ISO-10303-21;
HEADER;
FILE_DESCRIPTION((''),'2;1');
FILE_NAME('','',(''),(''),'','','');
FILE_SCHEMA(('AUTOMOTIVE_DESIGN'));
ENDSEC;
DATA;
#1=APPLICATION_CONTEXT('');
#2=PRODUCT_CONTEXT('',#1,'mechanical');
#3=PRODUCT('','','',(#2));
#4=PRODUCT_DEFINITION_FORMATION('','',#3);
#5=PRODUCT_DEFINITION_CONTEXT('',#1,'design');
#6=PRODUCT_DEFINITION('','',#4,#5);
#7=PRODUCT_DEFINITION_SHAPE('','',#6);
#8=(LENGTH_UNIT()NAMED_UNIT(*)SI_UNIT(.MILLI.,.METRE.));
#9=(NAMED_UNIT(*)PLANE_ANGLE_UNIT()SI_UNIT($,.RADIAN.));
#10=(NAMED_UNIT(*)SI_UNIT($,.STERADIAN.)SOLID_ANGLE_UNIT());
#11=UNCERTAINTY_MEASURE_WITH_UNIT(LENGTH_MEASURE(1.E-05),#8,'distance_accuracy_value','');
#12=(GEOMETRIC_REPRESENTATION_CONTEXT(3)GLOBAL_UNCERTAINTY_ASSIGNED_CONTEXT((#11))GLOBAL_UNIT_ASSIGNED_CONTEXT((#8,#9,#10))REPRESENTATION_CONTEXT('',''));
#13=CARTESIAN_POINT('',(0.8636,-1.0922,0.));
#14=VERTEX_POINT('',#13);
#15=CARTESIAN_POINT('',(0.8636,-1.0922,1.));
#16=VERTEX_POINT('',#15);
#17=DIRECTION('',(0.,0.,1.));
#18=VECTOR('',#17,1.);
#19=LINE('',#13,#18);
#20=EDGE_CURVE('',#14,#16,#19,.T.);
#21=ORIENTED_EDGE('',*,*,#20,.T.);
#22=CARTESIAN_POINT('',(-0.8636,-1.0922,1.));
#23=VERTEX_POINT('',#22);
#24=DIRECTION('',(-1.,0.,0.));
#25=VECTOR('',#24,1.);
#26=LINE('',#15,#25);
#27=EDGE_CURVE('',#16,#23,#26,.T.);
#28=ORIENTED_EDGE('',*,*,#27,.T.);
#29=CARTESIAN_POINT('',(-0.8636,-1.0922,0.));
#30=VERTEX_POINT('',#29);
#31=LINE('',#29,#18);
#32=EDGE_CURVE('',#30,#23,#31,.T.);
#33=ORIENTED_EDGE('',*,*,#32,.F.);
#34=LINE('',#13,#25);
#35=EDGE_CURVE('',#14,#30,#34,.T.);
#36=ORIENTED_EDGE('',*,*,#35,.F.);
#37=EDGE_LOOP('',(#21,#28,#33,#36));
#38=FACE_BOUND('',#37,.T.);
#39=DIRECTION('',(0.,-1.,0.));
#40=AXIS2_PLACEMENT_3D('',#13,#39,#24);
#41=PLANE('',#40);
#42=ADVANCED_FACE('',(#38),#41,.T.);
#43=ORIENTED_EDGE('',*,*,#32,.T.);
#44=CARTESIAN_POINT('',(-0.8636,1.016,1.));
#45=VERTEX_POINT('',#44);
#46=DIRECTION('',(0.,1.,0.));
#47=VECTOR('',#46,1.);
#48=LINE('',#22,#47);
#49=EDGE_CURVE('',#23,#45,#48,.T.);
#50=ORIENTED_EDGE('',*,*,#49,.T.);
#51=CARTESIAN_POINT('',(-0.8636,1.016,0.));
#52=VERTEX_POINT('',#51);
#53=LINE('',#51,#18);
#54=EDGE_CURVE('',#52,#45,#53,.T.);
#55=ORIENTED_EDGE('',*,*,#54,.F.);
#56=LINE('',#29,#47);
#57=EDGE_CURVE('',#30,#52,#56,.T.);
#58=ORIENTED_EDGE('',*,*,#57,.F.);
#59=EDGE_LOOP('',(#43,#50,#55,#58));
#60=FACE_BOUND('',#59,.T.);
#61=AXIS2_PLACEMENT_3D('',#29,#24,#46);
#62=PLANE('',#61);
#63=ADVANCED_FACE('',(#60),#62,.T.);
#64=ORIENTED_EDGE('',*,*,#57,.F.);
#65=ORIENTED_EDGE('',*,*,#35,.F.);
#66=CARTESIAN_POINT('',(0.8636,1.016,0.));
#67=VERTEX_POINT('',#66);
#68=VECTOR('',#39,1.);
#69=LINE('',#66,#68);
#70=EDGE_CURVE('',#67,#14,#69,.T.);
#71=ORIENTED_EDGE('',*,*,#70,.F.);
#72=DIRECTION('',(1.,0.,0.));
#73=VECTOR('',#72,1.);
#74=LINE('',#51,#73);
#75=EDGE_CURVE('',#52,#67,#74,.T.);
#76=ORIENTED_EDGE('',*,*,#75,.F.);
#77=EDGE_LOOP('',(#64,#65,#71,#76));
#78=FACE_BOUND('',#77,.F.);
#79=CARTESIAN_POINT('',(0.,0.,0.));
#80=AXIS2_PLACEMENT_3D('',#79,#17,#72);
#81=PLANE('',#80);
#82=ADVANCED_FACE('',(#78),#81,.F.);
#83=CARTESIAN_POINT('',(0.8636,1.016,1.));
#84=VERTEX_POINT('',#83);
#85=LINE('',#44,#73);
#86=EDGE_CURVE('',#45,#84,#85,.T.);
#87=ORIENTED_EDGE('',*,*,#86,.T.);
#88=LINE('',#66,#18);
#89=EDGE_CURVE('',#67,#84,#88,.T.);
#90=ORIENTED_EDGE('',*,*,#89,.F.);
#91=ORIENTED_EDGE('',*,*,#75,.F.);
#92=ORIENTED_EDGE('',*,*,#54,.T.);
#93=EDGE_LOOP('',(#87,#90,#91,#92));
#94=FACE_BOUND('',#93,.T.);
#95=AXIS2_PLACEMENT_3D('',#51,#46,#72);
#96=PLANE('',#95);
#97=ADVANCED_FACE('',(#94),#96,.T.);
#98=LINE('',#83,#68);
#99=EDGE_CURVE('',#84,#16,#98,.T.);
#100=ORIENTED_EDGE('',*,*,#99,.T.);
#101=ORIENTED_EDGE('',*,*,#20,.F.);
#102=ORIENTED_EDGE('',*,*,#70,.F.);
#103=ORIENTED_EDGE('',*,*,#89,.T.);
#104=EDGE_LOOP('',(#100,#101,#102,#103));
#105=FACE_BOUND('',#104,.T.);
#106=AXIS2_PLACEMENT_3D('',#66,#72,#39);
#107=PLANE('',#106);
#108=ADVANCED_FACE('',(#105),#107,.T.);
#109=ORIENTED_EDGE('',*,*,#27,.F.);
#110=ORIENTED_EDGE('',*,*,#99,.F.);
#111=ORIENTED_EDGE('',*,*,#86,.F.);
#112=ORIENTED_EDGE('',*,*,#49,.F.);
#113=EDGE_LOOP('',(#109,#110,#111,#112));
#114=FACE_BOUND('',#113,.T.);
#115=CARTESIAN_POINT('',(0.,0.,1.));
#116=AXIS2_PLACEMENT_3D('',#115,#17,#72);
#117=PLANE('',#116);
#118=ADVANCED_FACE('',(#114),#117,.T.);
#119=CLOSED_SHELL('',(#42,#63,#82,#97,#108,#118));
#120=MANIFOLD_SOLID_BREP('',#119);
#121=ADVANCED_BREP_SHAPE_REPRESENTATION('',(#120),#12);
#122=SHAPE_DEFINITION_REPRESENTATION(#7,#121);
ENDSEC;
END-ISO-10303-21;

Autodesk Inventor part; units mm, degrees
ref_plane "YZ Plane" through (0, 0, 0) normal (1, 0, 0) x (0, 1, 0)
ref_plane "XZ Plane" through (0, 0, 0) normal (0, 1, 0) x (-1, 0, 0)
ref_plane "XY Plane" through (0, 0, 0) normal (0, 0, 1) x (1, 0, 0)
sketch "DRY6, TPS62237DRY_173" plane through (0, 0, 0) normal (0, 0, 1) x (1, 0, 0)
  line L0 (-0.8636, 1.016) -> (0.8636, 1.016)
  line L1 (0.8636, 1.016) -> (0.8636, -1.0922)
  line L2 (0.8636, -1.0922) -> (-0.8636, -1.0922)
  line L3 (-0.8636, -1.0922) -> (-0.8636, 1.016)
extrude "Extrusion1" add sketch "DRY6, TPS62237DRY_173" along normal blind 1
properties part number "TPS62237DRY"
